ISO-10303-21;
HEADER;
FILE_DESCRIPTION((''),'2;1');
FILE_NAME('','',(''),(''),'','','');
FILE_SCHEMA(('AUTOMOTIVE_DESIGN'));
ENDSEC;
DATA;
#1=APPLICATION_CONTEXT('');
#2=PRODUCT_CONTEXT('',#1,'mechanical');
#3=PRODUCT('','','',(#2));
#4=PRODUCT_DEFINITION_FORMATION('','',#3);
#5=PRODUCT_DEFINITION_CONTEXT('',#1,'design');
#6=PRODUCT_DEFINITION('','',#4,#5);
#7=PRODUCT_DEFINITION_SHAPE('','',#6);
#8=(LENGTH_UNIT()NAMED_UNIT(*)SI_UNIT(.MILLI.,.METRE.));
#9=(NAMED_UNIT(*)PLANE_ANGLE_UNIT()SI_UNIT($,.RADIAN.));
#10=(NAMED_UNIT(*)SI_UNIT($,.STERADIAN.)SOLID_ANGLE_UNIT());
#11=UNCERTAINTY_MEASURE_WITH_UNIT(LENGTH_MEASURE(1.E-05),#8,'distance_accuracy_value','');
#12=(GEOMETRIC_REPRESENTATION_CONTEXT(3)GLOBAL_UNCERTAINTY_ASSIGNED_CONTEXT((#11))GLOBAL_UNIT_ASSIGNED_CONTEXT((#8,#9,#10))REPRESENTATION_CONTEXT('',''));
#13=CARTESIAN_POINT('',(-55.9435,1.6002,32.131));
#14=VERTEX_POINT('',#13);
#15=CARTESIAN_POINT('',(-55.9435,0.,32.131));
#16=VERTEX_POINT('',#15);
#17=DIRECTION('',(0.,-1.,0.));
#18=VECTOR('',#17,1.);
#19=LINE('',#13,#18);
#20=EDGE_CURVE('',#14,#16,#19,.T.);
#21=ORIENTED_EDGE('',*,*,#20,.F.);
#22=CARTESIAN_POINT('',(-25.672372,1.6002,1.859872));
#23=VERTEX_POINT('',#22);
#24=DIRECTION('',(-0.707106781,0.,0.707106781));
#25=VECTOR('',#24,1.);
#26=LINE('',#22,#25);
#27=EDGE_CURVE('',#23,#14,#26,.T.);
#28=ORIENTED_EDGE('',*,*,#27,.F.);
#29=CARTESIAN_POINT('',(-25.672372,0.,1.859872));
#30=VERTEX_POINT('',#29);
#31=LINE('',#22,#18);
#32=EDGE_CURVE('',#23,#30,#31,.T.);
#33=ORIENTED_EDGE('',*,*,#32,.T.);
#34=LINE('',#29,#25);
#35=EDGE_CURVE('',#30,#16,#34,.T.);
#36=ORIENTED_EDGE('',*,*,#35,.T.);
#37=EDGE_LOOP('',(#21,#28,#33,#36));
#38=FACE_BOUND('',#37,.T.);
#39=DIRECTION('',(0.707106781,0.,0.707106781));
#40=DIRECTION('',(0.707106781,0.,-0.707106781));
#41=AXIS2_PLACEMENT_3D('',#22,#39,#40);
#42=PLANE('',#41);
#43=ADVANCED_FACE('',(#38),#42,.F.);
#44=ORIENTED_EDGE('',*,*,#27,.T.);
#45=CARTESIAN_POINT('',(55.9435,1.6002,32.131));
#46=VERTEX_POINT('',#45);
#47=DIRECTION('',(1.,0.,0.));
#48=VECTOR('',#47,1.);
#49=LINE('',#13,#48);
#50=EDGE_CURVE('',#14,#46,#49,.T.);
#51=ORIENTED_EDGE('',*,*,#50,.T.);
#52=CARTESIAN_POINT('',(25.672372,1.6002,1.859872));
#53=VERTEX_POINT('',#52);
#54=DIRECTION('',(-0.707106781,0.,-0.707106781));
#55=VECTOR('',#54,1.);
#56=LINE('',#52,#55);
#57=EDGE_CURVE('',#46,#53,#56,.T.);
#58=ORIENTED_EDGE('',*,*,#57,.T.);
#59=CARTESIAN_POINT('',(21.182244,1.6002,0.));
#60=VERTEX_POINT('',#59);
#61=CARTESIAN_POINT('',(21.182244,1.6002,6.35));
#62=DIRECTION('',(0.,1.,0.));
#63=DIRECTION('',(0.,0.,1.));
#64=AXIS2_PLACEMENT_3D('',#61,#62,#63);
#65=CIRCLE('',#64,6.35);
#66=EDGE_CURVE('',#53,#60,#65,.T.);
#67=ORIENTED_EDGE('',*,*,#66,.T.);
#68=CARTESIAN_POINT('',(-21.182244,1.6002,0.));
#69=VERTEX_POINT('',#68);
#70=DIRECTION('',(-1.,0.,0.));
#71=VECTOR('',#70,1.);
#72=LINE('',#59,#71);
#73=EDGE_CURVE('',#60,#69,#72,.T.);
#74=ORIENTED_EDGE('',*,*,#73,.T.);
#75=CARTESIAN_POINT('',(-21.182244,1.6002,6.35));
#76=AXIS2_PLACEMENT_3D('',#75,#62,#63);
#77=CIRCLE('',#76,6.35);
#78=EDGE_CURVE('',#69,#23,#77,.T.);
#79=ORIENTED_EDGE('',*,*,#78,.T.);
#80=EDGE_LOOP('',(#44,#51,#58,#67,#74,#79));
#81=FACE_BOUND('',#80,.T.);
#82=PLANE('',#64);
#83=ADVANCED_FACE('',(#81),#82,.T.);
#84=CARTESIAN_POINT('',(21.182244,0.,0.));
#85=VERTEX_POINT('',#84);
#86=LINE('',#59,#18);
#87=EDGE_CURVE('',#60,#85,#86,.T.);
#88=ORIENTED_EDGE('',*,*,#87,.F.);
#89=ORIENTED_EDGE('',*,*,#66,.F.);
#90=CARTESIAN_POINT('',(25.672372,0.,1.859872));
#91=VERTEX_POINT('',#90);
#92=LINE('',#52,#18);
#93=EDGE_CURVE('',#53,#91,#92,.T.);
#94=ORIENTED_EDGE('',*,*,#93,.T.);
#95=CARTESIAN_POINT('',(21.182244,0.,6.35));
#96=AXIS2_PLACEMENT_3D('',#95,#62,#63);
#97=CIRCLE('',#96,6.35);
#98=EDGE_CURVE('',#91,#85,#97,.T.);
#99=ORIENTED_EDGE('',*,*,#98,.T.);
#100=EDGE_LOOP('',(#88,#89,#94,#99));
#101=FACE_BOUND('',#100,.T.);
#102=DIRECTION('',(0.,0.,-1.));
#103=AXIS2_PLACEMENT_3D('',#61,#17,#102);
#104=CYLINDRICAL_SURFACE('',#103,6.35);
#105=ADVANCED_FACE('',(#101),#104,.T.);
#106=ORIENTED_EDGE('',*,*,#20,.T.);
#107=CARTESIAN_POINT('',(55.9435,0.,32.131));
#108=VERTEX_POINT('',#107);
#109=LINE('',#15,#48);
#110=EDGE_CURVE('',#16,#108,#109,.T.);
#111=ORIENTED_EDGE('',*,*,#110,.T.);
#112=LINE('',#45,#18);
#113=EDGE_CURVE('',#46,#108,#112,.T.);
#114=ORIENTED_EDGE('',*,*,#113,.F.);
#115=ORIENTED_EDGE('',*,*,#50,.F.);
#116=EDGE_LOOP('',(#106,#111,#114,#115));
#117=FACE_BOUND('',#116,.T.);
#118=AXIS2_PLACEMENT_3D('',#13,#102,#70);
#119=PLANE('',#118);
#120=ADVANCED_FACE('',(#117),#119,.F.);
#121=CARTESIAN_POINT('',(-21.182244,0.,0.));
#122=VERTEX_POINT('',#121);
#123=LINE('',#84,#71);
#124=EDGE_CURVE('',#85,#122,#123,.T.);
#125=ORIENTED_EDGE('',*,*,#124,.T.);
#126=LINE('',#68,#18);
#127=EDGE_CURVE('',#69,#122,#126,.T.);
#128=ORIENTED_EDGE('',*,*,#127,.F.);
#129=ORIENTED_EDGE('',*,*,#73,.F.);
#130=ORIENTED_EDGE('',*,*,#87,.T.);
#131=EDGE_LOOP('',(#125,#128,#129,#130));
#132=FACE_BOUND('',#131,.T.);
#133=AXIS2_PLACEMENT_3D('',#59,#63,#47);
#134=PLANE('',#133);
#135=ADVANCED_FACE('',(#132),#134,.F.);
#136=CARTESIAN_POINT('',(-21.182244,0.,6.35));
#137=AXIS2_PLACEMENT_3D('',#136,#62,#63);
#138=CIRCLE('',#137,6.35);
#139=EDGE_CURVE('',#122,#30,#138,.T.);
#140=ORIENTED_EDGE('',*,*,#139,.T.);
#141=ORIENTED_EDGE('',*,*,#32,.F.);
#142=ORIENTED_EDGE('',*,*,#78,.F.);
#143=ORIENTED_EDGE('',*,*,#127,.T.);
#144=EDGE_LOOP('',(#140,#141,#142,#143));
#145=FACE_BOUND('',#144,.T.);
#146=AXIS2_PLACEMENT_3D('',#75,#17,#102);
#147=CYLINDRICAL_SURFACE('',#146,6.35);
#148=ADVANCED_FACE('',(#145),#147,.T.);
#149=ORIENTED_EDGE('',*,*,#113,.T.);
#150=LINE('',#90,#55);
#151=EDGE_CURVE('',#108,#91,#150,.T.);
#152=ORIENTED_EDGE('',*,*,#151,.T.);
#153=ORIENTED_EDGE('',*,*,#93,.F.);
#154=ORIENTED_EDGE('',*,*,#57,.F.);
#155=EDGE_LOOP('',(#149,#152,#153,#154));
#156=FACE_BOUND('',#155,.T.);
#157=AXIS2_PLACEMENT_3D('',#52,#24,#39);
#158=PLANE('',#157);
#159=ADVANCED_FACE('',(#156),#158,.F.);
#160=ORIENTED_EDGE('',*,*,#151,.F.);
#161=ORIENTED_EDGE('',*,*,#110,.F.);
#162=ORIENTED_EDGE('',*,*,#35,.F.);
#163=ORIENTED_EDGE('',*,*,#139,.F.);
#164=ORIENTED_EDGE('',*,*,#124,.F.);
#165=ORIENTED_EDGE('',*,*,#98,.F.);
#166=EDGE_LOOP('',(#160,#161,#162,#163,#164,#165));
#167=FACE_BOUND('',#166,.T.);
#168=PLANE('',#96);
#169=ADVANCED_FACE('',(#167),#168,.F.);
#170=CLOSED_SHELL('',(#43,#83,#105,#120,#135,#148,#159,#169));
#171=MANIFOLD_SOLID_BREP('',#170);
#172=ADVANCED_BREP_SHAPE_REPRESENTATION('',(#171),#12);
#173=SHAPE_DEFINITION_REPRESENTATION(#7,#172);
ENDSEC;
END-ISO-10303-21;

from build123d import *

# Parameters (mm, degrees)
EXTRUDE1_DEPTH = 1.6002


with BuildPart() as part:
    # Sketch1 → Extrude1 (new body)
    with BuildSketch(Plane(origin=(0, 0, 0), x_dir=(1, 0, 0), z_dir=(0, 1, 0))):
        with BuildLine():
            Line((21.182243879, 0), (-21.182243879, 0))
            ThreePointArc((-21.182243879, 0), (-23.612283674, -0.483364969), (-25.672371939, -1.859871939))
            Line((-25.672371939, -1.859871939), (-55.9435, -32.131))
            Line((-55.9435, -32.131), (55.9435, -32.131))
            Line((55.9435, -32.131), (25.672371939, -1.859871939))
            ThreePointArc((25.672371939, -1.859871939), (23.612283674, -0.483364969), (21.182243879, 0))
        make_face()
    extrude(amount=EXTRUDE1_DEPTH)


solid = part.part
